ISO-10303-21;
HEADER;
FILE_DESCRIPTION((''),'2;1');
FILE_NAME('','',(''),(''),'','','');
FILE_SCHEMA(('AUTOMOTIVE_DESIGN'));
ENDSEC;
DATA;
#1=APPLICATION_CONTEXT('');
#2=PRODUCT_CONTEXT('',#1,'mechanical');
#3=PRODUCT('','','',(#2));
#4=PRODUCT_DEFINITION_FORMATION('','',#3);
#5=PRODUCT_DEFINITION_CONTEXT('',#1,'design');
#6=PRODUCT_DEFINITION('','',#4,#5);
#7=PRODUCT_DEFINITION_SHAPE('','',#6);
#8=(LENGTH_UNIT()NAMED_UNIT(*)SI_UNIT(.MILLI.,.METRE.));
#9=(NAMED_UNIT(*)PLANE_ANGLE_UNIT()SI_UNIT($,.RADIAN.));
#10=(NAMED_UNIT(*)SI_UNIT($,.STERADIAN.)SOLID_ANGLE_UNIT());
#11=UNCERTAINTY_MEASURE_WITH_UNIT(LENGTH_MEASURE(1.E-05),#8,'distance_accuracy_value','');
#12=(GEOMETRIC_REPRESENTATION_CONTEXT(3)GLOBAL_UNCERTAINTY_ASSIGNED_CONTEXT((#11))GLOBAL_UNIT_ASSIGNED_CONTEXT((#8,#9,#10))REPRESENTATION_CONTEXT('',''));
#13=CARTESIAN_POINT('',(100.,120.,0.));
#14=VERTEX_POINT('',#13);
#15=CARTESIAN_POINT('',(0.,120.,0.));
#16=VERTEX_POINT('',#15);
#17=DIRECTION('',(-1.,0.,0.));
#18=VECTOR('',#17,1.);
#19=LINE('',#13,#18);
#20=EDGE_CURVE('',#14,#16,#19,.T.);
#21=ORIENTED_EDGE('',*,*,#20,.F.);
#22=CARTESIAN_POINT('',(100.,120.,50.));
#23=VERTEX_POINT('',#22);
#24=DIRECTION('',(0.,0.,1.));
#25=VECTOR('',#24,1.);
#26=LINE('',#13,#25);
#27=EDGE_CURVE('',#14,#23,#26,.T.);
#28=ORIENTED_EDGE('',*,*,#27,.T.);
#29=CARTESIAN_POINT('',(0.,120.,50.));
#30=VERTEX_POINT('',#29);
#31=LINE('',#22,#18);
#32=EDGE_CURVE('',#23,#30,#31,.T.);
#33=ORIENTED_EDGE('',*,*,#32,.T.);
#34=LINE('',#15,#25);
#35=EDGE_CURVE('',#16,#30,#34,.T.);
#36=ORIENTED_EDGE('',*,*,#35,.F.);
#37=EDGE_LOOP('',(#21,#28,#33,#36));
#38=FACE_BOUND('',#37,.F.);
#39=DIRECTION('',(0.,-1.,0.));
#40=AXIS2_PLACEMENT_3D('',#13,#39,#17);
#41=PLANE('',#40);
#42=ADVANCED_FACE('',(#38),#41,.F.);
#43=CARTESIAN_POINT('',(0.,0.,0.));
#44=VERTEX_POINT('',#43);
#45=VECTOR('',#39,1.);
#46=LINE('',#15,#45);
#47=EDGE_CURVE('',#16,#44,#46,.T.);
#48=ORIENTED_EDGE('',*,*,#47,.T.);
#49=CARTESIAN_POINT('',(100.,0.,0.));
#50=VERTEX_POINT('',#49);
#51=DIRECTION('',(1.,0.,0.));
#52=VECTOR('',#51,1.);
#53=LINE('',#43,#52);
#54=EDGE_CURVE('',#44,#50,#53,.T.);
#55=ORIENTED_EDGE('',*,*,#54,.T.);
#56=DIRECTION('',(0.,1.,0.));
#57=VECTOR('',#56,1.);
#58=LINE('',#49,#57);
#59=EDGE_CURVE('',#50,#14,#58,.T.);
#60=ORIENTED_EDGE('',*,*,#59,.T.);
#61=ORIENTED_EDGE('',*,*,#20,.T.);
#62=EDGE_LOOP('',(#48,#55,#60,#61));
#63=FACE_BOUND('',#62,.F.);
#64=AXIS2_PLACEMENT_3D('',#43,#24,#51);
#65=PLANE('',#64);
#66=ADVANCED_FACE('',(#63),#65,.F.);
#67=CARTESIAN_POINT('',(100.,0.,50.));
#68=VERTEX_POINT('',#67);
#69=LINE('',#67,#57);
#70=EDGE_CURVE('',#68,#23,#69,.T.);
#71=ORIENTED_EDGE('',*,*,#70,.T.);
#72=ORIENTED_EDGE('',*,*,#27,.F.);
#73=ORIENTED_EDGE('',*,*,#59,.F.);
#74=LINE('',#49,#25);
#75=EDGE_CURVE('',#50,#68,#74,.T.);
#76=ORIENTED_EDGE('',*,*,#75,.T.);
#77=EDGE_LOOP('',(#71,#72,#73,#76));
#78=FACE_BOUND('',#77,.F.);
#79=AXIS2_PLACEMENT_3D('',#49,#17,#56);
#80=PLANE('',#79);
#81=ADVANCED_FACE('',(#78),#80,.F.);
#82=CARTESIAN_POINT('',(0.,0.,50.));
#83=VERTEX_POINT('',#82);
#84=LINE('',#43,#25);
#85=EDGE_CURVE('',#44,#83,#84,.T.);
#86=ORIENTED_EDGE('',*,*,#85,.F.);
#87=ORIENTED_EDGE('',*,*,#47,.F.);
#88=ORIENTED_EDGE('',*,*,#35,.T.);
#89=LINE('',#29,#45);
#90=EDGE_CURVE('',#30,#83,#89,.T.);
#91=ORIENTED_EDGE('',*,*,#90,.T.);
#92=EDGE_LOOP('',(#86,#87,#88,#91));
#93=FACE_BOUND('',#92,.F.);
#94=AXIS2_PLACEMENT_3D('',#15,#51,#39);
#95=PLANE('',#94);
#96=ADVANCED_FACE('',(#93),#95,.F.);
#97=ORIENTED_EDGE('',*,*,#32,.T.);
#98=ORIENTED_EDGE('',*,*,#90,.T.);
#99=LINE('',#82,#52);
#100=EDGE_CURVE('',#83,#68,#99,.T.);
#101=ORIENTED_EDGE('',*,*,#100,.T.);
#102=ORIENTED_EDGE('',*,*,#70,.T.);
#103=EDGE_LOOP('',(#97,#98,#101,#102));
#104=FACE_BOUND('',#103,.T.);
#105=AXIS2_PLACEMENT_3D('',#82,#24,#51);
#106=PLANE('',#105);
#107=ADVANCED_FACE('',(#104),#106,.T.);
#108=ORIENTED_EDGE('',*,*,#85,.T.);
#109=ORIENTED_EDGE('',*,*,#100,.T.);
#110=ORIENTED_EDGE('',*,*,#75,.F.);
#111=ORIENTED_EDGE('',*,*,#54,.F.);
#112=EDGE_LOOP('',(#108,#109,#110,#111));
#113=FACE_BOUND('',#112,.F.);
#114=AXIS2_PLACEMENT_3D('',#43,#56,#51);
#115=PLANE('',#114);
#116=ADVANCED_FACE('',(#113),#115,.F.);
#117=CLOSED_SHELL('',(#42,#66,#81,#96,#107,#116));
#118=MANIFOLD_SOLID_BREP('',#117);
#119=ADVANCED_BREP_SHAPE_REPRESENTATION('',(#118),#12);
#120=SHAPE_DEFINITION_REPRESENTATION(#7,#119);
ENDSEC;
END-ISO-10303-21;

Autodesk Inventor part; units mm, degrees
ref_plane "YZ Plane" through (0, 0, 0) normal (1, 0, 0) x (0, 1, 0)
ref_plane "XZ Plane" through (0, 0, 0) normal (0, 1, 0) x (-1, 0, 0)
ref_plane "XY Plane" through (0, 0, 0) normal (0, 0, 1) x (1, 0, 0)
sketch "スケッチ1" plane through (0, 0, 0) normal (0, 0, 1) x (1, 0, 0)
  line L0 (0, 0) -> (100, 0)
  line L1 (100, 0) -> (100, 120)
  line L2 (100, 120) -> (0, 120)
  line L3 (0, 120) -> (0, 0)
  dimension "d0" = 100
  dimension "d1" = 120
extrude "押し出し1" add sketch "スケッチ1" along normal blind 50
properties part number "NAMARI"
